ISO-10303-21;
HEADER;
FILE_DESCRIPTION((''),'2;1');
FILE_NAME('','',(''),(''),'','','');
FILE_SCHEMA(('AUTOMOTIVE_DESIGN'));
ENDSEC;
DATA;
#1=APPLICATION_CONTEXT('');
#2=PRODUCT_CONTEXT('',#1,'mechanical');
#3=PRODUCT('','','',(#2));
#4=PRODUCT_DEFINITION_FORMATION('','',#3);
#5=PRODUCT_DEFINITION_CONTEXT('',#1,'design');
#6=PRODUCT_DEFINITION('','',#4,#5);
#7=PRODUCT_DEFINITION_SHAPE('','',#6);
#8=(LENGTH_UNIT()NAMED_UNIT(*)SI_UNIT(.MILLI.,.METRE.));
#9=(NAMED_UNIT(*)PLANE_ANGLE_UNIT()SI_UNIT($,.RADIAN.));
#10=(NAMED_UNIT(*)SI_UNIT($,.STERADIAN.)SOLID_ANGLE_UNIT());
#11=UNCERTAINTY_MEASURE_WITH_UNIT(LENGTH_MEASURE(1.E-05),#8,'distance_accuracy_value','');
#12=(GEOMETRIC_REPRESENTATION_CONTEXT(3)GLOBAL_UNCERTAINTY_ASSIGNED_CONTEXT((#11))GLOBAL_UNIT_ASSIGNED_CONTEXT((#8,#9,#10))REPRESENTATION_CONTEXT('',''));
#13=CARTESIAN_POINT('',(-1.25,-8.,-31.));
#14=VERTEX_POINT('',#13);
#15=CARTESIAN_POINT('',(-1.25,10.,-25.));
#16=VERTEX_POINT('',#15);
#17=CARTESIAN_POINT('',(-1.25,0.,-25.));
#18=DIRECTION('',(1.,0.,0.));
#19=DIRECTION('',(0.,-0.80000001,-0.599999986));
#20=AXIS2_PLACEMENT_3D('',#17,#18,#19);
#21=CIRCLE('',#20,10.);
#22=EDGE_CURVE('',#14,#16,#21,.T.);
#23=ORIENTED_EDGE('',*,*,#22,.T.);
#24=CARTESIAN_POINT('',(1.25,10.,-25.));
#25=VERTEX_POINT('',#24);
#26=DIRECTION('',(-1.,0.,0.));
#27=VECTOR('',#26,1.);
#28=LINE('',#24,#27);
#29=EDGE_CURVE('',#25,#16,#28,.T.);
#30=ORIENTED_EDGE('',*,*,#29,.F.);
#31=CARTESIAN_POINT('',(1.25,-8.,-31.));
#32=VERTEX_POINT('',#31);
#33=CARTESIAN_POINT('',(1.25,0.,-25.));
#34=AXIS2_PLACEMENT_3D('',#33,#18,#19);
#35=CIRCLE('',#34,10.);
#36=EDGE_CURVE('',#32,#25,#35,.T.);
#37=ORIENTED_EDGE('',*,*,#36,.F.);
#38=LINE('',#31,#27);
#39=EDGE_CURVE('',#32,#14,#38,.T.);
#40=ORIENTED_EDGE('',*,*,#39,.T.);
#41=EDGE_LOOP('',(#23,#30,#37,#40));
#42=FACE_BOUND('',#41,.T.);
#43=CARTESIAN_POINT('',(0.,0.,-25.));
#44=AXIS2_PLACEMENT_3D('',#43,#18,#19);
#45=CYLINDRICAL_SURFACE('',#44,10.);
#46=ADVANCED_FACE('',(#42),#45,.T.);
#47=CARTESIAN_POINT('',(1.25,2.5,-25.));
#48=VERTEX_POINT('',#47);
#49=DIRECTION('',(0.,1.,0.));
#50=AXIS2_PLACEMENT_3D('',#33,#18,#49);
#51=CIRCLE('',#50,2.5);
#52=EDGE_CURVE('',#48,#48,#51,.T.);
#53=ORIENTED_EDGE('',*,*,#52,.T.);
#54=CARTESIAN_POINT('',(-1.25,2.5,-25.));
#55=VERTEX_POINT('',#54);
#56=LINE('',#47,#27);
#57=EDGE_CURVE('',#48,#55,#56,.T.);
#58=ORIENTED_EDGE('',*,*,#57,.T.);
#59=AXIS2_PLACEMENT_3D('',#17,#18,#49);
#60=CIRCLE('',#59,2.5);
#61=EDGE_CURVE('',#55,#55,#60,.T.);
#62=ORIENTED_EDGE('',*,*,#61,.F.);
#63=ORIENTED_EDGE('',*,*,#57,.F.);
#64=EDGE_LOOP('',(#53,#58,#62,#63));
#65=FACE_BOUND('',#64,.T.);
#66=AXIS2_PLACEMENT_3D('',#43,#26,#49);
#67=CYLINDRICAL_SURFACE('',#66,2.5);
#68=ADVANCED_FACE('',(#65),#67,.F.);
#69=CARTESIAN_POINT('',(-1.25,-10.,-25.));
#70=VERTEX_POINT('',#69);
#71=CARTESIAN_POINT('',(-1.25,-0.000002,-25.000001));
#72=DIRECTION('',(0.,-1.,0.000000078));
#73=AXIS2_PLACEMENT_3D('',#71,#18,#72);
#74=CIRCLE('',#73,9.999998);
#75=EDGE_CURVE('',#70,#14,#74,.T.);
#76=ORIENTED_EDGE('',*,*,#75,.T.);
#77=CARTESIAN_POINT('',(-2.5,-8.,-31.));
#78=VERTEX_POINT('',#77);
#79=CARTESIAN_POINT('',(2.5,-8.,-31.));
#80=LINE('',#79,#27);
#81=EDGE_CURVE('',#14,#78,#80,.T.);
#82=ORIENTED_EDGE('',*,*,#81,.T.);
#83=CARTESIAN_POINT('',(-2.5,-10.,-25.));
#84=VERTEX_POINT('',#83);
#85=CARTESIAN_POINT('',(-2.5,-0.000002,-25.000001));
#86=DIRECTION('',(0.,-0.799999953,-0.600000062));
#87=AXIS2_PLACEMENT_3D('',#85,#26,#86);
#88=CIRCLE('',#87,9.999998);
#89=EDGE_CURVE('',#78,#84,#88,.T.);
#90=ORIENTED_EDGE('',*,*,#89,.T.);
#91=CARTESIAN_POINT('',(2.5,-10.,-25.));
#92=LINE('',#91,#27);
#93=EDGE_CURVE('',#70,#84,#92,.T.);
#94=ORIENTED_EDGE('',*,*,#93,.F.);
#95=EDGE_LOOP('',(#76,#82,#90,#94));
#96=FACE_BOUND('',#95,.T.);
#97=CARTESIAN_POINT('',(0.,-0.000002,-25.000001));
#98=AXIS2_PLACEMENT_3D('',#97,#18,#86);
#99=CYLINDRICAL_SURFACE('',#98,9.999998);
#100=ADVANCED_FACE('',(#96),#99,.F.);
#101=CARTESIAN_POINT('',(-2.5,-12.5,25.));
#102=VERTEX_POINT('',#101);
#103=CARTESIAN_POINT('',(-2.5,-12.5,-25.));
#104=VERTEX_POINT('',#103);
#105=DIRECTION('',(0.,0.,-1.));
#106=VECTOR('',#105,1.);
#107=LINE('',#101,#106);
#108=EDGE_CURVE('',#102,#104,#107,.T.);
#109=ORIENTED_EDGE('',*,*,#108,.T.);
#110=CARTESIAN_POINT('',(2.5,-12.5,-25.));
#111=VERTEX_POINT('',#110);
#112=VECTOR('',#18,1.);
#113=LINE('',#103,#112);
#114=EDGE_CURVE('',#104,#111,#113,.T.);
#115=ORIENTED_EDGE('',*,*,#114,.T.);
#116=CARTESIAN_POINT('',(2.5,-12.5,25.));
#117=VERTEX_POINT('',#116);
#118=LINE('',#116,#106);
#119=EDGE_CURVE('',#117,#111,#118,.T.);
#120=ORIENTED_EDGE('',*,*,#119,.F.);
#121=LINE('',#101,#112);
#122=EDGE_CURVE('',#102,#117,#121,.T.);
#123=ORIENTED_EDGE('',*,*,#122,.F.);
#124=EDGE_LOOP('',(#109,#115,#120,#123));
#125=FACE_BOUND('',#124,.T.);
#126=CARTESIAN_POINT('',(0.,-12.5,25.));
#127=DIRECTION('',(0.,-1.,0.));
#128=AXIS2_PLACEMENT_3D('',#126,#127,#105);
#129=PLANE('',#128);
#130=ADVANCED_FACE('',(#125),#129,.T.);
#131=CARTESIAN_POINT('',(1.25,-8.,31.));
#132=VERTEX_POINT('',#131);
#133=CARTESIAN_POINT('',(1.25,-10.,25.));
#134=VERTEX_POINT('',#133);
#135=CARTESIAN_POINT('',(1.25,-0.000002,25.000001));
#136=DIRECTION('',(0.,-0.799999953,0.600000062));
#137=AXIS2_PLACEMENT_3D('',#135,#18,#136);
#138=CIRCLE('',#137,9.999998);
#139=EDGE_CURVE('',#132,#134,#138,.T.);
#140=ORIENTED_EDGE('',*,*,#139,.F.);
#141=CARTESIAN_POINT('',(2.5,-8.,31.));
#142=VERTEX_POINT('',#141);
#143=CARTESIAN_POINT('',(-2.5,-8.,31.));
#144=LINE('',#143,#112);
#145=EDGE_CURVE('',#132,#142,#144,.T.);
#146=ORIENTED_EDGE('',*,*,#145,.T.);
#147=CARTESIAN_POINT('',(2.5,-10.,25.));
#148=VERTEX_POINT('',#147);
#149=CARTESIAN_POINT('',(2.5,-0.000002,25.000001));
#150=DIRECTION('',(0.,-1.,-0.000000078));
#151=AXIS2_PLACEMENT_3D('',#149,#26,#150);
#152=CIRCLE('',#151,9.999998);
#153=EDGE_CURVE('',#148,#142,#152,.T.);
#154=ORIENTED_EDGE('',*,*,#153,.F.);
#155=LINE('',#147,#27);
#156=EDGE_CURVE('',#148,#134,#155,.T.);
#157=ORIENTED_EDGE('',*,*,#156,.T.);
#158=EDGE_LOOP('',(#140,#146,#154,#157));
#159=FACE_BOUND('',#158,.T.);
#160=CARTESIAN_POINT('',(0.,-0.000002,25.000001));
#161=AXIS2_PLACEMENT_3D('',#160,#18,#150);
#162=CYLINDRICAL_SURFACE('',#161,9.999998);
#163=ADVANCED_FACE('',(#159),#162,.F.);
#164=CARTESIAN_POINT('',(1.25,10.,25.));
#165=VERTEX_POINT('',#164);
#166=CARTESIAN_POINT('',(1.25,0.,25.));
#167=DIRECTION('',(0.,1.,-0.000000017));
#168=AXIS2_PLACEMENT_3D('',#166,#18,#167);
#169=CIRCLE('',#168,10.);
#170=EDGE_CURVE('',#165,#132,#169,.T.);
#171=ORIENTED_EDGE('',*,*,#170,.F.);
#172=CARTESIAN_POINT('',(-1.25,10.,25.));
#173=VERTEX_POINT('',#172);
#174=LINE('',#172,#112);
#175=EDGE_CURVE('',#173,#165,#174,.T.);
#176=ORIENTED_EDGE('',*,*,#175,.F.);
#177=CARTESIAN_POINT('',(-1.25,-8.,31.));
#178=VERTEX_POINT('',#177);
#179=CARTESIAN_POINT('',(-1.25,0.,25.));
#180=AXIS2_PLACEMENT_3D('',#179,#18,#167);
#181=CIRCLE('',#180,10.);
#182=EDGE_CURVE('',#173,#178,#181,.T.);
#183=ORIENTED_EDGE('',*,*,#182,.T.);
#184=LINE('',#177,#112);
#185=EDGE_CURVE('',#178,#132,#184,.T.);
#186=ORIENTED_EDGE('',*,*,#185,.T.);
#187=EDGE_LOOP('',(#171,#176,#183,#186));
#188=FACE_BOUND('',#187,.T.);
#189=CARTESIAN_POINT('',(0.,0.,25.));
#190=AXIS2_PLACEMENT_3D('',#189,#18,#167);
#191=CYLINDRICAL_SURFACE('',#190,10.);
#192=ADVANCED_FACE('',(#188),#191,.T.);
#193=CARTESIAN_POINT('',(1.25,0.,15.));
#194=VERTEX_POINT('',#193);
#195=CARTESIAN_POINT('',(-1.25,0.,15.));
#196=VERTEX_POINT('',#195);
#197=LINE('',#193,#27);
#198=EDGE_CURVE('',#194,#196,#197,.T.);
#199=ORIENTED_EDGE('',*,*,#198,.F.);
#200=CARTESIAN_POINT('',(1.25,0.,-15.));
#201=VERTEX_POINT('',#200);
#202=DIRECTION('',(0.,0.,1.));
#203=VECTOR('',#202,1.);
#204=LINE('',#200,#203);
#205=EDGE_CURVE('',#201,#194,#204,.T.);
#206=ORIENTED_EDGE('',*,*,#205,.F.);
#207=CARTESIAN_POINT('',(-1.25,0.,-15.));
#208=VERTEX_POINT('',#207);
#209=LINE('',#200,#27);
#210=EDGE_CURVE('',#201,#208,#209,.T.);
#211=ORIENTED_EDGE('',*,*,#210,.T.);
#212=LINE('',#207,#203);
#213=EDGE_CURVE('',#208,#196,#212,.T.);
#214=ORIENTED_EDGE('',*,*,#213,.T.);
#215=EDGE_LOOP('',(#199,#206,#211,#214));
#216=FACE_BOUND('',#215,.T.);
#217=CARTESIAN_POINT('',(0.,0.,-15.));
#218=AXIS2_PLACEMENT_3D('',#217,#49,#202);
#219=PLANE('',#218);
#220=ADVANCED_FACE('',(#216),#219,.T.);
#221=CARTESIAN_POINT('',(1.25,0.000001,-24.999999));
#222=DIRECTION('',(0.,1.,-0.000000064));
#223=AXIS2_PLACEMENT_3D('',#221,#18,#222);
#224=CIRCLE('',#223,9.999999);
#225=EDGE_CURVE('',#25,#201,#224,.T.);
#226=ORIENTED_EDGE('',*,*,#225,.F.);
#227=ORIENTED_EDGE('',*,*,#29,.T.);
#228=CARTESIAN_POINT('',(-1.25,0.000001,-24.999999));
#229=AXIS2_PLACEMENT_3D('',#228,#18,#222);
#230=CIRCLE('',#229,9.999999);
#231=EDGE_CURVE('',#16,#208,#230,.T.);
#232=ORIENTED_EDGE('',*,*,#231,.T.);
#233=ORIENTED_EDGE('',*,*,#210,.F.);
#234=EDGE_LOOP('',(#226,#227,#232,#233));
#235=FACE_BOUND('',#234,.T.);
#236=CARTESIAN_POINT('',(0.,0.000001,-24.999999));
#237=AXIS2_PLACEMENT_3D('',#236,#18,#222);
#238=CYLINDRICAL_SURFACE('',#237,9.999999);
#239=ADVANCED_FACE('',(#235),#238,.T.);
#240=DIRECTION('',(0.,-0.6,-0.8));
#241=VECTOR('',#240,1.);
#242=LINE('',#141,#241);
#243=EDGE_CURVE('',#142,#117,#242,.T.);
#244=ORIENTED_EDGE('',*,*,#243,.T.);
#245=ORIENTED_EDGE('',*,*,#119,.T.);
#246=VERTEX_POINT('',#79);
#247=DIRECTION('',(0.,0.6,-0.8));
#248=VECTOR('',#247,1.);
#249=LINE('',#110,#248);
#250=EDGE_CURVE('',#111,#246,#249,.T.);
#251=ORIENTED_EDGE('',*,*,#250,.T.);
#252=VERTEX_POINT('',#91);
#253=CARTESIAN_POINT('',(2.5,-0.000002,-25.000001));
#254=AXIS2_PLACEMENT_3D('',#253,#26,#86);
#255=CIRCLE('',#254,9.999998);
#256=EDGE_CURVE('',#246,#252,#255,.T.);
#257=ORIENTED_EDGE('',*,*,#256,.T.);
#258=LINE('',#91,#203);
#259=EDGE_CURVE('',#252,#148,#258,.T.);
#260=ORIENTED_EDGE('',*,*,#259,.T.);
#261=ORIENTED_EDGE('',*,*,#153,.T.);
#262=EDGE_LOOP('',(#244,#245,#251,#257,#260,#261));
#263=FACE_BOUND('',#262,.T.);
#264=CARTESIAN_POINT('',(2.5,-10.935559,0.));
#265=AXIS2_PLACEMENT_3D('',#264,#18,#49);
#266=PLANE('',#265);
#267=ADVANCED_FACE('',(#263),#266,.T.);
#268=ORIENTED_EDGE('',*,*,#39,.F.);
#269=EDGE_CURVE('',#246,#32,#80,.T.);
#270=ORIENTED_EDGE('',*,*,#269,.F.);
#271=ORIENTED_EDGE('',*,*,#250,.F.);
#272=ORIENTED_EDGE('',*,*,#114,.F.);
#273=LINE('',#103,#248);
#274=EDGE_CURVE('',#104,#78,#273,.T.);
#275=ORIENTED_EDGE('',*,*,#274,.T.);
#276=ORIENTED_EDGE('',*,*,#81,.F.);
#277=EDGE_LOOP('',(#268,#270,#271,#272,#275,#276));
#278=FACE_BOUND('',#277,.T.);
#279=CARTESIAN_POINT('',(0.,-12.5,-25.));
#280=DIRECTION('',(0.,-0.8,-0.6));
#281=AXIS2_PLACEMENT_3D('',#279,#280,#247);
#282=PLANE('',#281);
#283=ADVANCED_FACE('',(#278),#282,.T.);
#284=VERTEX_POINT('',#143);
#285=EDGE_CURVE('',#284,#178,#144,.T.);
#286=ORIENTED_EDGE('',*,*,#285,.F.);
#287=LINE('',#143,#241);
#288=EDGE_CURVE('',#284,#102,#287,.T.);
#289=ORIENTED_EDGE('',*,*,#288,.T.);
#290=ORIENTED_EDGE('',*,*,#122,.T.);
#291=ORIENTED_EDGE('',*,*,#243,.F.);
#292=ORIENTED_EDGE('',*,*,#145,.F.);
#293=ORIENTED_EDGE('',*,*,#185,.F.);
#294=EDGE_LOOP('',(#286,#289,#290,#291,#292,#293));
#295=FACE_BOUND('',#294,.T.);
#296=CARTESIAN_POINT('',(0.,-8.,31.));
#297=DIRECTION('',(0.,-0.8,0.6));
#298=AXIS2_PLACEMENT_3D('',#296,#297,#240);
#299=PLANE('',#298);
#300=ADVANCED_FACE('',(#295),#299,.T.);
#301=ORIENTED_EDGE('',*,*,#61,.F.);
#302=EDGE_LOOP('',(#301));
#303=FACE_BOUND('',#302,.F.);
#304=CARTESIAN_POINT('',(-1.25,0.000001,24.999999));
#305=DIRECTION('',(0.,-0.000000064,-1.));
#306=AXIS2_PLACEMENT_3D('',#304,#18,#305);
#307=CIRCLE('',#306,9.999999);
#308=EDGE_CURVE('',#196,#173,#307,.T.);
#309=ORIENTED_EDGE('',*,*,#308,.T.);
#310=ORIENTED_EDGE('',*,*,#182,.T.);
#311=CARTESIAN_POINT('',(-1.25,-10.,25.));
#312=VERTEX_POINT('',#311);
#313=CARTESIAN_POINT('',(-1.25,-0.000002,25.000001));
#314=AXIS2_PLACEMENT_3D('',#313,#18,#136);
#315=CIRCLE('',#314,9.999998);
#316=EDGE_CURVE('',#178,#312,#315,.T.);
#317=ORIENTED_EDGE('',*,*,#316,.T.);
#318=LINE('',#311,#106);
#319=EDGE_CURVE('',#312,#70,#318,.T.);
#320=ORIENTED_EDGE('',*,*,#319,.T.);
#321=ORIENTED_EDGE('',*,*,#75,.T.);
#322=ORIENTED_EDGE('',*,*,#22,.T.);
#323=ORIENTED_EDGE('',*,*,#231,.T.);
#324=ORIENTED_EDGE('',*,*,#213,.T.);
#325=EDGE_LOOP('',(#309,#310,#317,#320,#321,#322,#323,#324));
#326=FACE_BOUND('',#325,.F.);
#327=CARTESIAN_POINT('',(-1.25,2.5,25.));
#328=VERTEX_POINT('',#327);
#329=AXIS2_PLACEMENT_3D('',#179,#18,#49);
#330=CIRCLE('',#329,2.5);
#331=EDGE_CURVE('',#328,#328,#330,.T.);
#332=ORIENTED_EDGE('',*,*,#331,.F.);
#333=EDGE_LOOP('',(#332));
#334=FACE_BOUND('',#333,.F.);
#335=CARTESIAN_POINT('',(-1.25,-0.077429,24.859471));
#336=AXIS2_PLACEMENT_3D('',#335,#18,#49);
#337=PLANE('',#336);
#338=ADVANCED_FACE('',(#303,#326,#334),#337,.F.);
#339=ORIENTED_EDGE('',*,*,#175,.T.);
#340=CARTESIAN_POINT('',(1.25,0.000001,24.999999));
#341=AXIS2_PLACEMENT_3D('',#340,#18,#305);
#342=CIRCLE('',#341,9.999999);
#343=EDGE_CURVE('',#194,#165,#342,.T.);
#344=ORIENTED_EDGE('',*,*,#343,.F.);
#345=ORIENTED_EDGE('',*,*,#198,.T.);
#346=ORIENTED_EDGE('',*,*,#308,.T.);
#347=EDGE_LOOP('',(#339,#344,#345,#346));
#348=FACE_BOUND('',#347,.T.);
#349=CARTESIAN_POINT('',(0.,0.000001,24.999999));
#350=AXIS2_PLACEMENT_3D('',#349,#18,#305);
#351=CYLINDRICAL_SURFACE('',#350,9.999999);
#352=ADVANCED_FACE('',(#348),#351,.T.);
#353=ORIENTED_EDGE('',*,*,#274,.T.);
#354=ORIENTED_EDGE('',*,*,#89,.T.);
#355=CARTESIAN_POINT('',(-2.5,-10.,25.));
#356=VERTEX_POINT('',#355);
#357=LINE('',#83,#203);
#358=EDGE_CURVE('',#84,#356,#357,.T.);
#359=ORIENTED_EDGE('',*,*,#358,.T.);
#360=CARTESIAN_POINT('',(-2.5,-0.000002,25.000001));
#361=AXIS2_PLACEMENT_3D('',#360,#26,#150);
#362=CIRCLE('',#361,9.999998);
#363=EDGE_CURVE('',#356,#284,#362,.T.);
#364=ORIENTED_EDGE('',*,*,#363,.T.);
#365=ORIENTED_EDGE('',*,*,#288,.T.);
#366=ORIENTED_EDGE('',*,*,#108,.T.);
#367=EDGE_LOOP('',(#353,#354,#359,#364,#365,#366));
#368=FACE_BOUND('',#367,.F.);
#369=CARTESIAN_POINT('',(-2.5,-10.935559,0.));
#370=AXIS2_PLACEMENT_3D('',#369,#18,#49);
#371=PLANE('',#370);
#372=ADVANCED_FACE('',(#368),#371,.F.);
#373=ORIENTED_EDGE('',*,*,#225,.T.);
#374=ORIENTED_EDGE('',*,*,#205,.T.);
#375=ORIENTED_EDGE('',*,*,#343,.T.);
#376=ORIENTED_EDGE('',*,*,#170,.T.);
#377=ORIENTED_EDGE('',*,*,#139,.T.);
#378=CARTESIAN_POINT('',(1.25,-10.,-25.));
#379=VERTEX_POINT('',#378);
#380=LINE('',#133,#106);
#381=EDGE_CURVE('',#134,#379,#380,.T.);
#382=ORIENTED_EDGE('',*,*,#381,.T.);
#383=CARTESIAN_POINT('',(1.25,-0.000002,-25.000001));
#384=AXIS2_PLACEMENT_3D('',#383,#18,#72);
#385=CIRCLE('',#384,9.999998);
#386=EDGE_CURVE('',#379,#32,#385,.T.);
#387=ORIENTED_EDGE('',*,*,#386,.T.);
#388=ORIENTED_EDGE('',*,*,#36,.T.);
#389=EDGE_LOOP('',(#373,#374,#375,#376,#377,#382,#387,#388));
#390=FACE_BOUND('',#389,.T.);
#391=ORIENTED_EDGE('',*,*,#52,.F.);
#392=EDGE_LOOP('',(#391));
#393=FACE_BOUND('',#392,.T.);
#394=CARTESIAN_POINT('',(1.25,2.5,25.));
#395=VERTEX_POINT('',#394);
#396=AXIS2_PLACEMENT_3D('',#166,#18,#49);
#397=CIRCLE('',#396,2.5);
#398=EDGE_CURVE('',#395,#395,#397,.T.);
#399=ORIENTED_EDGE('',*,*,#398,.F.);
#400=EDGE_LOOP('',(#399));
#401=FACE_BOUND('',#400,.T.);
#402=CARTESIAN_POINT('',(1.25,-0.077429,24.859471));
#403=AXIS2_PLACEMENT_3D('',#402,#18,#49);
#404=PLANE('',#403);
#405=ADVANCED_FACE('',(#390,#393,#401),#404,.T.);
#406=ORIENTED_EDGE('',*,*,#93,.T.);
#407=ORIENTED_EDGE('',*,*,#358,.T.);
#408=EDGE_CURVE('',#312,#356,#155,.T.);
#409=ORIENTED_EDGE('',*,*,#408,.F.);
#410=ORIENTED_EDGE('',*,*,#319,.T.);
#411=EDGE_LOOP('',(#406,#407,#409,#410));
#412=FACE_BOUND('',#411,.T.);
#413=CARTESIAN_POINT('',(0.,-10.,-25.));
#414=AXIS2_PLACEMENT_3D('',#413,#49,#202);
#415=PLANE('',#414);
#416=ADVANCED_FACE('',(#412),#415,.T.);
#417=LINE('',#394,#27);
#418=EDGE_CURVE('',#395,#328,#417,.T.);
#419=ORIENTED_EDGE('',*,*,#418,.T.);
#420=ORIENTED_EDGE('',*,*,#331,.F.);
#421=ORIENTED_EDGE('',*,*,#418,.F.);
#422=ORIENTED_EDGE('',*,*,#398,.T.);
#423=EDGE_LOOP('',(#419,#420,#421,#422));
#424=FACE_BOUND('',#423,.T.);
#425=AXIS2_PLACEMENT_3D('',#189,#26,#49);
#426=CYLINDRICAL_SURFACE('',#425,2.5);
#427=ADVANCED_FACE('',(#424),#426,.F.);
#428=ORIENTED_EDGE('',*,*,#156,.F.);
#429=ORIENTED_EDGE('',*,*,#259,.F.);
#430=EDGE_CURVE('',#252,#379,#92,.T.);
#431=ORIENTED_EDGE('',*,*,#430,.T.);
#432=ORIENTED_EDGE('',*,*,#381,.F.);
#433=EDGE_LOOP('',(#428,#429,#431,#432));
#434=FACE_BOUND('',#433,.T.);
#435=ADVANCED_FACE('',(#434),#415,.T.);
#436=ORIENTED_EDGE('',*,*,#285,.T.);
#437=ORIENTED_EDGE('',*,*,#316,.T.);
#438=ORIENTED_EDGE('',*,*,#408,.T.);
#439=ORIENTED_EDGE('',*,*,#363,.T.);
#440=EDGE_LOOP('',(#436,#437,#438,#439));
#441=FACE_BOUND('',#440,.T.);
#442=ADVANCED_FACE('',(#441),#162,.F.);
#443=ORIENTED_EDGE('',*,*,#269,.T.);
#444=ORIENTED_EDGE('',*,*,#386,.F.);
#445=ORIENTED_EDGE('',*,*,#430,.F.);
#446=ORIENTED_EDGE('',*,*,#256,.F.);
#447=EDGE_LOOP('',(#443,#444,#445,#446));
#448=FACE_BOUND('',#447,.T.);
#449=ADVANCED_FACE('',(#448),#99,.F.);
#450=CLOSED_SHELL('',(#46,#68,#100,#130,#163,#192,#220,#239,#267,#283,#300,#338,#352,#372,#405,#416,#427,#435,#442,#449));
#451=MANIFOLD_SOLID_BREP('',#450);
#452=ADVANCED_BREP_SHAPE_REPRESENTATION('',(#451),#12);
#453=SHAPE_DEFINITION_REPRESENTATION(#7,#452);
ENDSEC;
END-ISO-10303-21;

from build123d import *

# Parameters (mm, degrees)
F1_DEPTH = 2.5
F0_R     = 2.5
F2_DEPTH = 1.25


with BuildPart() as f1:
    # F0 (on Right) → F1 (new body, symmetric)
    with BuildSketch(Plane.YZ):
        with BuildLine():
            ThreePointArc((-10, 25), (-9.486833, 28.162278), (-8, 31))
            Line((-8, 31), (-12.5, 25))
            Line((-12.5, 25), (-12.5, -25))
            Line((-12.5, -25), (-8, -31))
            ThreePointArc((-8, -31), (-9.486833, -28.162278), (-10, -25))
            Line((-10, -25), (-10, 25))
        make_face()
    extrude(amount=F1_DEPTH, both=True)

    # F0 (on Right) → F2 (join, symmetric)
    with BuildSketch(Plane.YZ):
        with BuildLine():
            ThreePointArc((0, 15), (7.071068, 17.928932), (10, 25))
            ThreePointArc((10, 25), (3.162278, 34.486833), (-8, 31))
            ThreePointArc((-8, 31), (-9.486833, 28.162278), (-10, 25))
            ThreePointArc((-10, 25), (-7.071068, 17.928932), (0, 15))
        make_face()
        with Locations((0, 25)):
            Circle(F0_R, mode=Mode.SUBTRACT)
        with BuildLine():
            Line((0, -15), (0, 15))
            ThreePointArc((0, 15), (-7.071068, 17.928932), (-10, 25))
            Line((-10, 25), (-10, -25))
            ThreePointArc((-10, -25), (-7.071068, -17.928932), (0, -15))
        make_face()
        with BuildLine():
            ThreePointArc((10, -25), (7.071068, -17.928932), (0, -15))
            ThreePointArc((0, -15), (-7.071068, -17.928932), (-10, -25))
            ThreePointArc((-10, -25), (-9.486833, -28.162278), (-8, -31))
            ThreePointArc((-8, -31), (3.162278, -34.486833), (10, -25))
        make_face()
        with Locations((0, -25)):
            Circle(F0_R, mode=Mode.SUBTRACT)
    extrude(amount=F2_DEPTH, both=True)


solid = f1.part
